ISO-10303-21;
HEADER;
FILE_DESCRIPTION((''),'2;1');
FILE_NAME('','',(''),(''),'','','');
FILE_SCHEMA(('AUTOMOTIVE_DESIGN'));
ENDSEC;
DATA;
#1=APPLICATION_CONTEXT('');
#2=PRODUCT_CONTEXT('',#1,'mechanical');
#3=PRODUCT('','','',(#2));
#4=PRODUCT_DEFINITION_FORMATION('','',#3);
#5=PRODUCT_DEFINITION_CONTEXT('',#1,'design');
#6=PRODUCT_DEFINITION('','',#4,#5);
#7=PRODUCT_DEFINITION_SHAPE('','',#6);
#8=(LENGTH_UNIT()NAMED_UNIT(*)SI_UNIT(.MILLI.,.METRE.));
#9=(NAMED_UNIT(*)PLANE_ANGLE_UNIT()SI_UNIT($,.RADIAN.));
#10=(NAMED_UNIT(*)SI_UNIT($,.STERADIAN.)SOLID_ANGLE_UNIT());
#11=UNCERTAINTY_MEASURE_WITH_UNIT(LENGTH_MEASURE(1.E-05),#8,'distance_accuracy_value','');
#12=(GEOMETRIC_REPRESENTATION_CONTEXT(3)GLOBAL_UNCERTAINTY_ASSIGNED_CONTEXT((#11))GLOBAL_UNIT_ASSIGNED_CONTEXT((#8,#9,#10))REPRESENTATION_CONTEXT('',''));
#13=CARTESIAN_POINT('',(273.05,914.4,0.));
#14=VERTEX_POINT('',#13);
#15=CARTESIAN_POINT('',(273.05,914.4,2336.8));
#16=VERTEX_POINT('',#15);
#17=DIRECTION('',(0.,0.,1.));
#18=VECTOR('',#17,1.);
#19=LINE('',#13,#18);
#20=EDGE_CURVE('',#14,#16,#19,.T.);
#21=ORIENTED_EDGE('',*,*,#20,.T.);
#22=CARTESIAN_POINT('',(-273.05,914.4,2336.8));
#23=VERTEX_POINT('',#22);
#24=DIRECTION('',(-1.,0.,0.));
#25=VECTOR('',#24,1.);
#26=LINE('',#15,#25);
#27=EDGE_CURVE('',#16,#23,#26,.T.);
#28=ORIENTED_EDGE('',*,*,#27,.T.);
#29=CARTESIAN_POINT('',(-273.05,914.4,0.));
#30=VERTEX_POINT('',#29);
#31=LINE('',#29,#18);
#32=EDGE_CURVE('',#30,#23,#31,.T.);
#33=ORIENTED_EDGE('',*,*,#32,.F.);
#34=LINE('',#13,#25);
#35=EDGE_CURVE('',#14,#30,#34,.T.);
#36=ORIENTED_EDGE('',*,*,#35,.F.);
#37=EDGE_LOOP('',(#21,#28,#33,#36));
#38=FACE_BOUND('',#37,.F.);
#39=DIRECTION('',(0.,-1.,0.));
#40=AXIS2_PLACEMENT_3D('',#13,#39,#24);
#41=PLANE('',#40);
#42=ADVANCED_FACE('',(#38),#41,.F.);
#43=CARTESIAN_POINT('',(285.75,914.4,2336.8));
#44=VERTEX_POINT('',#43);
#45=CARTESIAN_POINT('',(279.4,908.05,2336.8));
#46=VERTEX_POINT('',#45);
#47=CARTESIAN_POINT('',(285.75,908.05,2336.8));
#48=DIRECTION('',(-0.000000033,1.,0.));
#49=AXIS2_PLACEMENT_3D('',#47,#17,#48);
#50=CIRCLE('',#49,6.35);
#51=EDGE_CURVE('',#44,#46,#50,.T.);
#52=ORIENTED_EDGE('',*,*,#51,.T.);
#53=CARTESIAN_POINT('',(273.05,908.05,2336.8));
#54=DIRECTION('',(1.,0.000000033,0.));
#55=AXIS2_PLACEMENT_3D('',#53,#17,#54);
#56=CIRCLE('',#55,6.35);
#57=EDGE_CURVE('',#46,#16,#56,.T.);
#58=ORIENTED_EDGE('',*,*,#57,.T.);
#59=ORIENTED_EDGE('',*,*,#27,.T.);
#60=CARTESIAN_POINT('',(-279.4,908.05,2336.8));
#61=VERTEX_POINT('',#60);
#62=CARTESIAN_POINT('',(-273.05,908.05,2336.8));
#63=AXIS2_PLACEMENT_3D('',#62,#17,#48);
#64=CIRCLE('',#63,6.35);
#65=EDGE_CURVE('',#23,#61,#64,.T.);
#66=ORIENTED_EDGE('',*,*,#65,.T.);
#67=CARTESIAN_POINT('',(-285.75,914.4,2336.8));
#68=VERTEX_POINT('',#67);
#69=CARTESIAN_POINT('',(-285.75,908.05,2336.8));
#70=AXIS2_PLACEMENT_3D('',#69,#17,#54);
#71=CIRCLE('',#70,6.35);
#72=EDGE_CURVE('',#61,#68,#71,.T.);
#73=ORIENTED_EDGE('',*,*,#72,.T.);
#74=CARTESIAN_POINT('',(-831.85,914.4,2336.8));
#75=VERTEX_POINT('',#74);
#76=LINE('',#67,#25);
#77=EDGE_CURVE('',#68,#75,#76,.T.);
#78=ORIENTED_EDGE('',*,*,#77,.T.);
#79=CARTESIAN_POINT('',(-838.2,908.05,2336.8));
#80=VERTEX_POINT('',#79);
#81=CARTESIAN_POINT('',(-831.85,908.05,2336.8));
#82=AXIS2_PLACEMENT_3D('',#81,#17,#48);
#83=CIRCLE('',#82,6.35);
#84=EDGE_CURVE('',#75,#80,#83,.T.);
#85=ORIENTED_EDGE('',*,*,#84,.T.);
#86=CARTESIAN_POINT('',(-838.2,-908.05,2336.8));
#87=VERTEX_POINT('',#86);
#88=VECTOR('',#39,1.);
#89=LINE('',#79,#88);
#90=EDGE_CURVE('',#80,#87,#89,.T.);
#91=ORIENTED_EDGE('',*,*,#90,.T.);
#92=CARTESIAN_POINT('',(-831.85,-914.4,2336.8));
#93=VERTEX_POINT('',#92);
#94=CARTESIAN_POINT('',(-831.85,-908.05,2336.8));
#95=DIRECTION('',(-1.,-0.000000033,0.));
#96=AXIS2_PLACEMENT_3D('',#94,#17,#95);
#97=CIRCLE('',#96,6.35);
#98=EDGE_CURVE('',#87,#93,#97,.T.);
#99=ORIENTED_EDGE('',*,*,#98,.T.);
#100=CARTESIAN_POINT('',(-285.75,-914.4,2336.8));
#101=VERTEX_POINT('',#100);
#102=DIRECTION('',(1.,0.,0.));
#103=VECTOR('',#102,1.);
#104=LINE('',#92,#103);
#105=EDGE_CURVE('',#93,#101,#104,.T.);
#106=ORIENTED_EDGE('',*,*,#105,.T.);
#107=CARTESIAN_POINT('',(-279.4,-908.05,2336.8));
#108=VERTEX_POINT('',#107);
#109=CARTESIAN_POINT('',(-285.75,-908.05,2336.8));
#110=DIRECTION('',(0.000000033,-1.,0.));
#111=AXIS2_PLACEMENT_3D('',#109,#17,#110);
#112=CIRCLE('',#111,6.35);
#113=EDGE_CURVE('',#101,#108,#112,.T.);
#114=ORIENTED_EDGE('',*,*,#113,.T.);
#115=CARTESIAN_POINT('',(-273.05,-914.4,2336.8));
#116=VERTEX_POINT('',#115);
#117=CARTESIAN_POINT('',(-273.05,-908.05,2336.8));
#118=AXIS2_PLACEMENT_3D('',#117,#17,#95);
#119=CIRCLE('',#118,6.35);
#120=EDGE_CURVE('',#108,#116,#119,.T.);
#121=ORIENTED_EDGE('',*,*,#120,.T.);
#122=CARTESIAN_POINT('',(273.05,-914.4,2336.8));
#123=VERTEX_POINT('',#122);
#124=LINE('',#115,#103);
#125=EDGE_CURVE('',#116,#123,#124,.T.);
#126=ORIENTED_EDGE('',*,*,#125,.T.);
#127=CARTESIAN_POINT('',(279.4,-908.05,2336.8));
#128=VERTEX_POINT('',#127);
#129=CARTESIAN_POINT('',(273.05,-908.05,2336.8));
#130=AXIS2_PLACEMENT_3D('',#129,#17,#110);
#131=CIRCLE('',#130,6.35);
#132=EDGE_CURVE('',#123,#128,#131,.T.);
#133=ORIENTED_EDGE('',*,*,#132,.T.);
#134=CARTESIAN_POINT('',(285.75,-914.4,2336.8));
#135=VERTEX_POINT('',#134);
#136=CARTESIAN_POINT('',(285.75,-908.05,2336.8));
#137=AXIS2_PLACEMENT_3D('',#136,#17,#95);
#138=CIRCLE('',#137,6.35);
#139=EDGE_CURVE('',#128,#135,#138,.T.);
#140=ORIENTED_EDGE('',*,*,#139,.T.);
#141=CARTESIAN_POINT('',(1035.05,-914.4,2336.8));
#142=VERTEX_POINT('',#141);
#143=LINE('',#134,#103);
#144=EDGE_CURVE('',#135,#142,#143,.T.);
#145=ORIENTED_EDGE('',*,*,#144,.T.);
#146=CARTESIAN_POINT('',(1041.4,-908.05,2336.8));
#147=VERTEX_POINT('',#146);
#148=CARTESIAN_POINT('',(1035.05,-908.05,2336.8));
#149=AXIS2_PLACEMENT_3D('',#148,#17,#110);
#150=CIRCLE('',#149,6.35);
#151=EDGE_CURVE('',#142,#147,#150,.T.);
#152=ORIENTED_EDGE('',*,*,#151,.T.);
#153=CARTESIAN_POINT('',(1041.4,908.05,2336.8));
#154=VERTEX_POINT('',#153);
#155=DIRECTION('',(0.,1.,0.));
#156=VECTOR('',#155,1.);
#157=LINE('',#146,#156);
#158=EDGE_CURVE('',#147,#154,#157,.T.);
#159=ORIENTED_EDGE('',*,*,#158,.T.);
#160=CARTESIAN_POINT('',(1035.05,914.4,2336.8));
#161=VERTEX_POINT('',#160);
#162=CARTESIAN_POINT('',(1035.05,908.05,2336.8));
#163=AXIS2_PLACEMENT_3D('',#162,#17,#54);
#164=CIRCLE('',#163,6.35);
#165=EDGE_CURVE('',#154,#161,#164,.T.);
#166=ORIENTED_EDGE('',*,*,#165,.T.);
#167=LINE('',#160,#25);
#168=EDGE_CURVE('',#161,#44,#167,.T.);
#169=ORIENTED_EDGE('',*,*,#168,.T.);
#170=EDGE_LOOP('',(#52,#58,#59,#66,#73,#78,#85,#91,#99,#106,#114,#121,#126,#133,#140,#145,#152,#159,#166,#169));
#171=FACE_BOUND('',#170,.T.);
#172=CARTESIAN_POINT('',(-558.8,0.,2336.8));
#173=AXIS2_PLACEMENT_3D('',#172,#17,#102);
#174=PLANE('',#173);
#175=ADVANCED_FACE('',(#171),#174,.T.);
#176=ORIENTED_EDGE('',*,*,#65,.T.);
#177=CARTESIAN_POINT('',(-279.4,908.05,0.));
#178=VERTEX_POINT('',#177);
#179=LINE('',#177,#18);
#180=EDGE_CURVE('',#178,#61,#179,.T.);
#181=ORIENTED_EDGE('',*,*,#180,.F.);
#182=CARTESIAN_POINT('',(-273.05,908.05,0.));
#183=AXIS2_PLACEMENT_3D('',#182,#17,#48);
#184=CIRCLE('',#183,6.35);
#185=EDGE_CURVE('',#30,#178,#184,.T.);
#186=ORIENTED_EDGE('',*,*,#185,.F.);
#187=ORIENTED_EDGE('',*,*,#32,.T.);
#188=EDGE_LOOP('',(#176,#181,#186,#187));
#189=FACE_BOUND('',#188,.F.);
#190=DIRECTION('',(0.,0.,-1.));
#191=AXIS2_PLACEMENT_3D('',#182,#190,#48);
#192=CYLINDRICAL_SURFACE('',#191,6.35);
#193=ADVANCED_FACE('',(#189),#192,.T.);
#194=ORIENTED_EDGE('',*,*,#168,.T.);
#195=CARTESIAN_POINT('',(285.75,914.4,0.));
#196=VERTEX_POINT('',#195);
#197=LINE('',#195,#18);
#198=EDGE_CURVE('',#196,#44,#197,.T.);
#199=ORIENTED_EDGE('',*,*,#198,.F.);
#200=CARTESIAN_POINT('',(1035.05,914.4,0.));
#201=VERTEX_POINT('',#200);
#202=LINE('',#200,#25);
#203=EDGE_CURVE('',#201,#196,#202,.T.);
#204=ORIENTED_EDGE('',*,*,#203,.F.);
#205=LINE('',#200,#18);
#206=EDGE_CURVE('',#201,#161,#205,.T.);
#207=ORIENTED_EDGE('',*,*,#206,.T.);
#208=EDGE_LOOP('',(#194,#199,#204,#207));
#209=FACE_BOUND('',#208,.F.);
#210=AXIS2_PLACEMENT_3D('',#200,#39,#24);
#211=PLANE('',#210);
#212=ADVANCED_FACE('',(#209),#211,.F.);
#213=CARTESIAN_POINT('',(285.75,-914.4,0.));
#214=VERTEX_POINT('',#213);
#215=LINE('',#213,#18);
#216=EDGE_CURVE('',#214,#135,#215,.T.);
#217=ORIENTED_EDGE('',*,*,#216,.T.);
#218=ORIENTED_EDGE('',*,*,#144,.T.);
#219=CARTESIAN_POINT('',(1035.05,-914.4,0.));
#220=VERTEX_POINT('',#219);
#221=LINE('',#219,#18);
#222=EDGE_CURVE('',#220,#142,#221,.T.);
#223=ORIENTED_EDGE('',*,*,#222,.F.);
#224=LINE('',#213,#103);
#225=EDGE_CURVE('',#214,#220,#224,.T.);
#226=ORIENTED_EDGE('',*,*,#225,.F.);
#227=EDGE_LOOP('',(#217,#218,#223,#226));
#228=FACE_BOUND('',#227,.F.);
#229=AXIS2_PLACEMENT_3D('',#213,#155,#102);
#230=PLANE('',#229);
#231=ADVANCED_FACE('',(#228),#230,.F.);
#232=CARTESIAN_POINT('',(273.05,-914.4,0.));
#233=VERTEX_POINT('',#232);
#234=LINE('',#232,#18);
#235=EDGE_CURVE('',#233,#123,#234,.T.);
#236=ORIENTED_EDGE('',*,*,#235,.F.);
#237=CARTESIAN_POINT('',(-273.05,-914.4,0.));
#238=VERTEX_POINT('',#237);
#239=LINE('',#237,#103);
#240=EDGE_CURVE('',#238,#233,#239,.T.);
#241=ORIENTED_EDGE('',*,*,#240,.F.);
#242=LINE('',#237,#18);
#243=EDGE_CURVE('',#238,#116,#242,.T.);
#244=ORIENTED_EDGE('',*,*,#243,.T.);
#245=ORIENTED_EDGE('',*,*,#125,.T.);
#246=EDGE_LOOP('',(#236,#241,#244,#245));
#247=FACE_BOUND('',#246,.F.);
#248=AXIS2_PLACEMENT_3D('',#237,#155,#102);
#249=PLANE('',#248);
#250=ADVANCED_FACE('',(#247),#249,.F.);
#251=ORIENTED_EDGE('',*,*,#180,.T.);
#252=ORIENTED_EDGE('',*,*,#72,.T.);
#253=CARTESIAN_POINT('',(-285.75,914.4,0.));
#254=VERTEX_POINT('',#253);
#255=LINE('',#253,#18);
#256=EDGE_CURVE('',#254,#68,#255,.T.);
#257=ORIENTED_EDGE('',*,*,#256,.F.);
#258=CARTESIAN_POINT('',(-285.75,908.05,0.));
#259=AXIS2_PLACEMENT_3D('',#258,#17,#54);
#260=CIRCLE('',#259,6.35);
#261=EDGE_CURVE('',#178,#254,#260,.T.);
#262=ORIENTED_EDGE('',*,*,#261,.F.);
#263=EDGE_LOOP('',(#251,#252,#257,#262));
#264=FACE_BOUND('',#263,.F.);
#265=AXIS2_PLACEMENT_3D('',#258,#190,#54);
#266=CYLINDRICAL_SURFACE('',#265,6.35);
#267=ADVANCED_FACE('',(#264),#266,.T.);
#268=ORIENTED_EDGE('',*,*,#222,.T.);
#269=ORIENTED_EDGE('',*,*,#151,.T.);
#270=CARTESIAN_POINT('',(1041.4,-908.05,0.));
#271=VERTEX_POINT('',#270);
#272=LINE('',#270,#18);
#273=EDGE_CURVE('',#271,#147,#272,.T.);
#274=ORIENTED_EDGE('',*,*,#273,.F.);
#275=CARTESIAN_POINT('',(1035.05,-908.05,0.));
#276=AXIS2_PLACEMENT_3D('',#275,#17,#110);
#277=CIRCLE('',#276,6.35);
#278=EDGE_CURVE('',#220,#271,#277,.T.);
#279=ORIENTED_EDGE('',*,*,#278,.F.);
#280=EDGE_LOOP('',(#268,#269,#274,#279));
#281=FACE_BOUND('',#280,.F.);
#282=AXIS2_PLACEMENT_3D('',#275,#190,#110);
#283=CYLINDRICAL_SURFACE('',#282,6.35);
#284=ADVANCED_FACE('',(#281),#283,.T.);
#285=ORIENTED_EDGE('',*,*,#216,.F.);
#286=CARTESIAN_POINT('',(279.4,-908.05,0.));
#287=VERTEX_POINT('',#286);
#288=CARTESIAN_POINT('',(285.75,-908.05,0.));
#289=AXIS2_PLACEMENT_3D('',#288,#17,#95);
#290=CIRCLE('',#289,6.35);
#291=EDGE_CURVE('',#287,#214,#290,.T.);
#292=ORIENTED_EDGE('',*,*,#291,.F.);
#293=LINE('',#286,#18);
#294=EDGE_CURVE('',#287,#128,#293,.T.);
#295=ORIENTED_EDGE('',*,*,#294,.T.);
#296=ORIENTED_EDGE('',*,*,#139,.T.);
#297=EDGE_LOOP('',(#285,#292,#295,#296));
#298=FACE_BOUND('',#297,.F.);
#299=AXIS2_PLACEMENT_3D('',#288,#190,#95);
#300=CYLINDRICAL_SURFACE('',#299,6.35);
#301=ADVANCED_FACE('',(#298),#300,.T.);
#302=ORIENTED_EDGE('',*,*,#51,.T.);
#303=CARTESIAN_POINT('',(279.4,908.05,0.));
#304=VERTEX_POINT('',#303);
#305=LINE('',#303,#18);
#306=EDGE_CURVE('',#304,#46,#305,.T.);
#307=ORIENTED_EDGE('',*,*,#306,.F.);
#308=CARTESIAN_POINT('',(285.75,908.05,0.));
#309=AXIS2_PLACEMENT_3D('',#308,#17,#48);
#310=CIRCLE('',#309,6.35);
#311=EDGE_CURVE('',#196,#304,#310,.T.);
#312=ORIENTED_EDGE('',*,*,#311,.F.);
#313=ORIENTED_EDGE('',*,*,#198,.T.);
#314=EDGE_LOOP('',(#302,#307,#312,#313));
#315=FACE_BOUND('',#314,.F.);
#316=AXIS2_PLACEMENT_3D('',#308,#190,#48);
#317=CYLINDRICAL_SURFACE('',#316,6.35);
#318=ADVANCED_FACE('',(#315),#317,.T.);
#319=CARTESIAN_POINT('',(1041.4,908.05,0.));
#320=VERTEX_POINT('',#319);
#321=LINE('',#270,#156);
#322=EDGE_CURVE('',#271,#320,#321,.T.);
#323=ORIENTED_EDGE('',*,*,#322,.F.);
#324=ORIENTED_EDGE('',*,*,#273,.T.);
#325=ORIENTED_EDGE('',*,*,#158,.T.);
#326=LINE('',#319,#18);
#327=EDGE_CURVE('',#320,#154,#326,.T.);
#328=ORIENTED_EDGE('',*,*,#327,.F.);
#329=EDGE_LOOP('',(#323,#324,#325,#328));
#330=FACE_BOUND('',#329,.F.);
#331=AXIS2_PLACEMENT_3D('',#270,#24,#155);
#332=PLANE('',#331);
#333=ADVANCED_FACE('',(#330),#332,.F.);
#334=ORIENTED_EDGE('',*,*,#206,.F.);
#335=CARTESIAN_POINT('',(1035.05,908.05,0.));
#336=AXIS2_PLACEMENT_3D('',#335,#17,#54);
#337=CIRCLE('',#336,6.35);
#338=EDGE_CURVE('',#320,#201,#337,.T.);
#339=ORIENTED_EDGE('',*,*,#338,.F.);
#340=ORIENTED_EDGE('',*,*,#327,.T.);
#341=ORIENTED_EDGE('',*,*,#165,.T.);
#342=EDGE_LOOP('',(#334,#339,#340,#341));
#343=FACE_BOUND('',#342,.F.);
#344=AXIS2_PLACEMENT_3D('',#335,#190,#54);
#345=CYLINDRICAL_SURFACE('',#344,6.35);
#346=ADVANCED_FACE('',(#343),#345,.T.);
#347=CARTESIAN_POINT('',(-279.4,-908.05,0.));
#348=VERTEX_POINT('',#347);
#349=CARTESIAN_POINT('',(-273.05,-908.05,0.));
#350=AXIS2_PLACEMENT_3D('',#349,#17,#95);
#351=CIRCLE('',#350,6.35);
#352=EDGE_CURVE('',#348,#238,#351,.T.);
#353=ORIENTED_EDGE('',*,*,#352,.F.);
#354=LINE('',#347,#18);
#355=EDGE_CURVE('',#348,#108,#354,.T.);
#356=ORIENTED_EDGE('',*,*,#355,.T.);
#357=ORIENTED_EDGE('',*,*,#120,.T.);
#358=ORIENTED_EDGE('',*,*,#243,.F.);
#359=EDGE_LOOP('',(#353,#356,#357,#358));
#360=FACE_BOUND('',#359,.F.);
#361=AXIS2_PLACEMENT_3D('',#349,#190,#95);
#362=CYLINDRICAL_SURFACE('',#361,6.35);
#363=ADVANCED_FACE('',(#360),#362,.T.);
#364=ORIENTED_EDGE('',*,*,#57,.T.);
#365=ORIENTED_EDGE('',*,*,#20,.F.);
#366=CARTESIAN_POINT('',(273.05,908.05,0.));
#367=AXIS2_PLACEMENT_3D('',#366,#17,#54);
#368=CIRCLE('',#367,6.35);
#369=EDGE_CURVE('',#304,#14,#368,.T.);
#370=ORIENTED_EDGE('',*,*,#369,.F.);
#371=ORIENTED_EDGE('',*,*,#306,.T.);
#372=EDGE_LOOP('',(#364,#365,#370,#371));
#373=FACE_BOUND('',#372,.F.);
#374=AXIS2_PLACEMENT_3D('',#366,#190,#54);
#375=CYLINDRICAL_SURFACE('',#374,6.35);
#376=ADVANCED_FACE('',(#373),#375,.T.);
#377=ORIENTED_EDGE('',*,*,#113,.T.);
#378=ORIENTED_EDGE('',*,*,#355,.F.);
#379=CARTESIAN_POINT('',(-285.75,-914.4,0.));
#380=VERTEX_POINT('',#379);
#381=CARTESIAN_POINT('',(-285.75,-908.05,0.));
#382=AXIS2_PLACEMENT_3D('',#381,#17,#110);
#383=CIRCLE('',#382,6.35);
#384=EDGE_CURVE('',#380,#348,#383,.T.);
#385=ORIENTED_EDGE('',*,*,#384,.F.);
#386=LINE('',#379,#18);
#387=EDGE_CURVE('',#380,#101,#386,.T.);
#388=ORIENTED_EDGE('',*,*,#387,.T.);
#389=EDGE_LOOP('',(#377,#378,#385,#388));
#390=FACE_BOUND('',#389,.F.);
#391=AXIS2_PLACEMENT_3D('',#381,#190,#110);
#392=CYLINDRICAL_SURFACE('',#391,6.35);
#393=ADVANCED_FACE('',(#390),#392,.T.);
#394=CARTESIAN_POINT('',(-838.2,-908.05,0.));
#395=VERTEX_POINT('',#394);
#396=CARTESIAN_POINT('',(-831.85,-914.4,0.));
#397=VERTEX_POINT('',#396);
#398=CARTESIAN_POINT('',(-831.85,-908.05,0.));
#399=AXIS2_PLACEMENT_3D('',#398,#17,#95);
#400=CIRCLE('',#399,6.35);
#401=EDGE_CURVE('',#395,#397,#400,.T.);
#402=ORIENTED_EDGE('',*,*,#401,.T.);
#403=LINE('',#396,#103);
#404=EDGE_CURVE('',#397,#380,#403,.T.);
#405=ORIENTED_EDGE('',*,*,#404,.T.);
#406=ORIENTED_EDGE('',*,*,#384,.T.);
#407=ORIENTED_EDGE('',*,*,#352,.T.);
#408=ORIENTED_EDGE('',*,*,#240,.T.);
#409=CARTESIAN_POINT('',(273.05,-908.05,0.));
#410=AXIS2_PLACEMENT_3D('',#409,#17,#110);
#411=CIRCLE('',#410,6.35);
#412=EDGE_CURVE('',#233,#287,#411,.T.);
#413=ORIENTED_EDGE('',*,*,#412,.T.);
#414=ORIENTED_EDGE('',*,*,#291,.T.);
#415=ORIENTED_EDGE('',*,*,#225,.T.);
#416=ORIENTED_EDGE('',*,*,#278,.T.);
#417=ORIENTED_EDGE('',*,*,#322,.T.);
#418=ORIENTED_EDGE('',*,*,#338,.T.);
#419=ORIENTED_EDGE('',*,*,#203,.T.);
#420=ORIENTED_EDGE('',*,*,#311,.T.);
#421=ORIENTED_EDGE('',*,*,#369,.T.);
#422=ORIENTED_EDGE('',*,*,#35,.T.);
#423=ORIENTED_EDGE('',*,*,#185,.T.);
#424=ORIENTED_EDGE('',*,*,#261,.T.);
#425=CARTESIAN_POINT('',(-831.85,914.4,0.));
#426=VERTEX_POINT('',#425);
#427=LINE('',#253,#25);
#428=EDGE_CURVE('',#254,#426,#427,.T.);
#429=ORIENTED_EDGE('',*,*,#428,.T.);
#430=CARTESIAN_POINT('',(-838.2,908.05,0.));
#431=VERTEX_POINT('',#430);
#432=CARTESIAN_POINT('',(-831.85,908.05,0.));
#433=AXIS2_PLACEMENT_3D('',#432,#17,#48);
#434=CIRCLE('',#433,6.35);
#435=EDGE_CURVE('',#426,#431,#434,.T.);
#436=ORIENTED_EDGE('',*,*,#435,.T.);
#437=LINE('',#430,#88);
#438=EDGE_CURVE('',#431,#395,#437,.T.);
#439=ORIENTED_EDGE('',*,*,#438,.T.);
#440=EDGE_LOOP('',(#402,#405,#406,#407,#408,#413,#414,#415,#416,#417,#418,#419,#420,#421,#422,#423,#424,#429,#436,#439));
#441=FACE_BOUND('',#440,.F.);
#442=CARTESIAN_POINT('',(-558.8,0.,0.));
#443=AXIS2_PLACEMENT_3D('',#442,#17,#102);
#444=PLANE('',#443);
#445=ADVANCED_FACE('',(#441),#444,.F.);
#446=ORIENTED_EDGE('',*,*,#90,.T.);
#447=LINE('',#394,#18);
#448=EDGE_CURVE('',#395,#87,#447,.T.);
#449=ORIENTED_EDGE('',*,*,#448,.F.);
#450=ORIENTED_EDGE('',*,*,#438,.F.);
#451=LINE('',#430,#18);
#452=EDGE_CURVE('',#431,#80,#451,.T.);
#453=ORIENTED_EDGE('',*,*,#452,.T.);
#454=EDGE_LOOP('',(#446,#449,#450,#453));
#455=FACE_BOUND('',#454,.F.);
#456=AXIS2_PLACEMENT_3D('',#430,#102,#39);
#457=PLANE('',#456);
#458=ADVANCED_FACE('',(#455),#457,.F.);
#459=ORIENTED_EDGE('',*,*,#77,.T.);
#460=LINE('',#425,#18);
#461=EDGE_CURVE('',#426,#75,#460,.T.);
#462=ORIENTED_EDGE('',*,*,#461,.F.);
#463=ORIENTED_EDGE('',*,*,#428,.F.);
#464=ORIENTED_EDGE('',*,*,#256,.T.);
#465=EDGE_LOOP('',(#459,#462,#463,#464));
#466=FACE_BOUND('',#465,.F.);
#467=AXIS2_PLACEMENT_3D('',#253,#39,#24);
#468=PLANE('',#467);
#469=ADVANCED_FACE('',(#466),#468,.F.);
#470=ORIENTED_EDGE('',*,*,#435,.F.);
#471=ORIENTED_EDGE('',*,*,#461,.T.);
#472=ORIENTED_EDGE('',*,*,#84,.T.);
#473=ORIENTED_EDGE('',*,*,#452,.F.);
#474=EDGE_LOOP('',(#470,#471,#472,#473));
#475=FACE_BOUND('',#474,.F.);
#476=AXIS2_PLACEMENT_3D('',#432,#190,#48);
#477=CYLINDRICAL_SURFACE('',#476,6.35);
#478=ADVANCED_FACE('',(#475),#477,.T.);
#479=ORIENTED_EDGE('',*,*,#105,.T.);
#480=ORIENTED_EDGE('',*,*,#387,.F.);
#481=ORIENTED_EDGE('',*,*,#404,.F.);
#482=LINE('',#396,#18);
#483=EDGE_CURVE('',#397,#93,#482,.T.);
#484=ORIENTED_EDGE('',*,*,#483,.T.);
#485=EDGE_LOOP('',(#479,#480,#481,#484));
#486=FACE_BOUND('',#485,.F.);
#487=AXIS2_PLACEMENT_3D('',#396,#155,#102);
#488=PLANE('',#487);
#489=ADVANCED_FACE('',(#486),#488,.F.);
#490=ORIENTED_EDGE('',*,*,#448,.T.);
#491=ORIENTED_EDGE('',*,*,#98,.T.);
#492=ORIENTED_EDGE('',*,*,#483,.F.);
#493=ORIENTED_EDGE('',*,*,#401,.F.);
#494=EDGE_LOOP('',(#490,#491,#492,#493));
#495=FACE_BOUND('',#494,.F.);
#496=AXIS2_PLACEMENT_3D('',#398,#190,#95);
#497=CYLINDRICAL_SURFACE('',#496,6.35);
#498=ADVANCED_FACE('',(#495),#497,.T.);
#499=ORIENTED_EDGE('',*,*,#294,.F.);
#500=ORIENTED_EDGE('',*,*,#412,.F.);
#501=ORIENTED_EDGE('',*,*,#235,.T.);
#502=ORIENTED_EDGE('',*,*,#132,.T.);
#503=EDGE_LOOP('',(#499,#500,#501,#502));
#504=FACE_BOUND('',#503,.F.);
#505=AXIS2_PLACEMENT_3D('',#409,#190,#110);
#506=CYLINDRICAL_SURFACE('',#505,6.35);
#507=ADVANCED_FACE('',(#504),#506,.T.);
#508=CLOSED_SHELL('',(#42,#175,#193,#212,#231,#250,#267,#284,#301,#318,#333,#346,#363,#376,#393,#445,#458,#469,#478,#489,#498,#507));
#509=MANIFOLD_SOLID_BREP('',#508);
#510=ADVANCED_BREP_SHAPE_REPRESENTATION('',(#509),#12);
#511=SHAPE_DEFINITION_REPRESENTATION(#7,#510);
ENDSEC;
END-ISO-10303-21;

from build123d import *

# Parameters (mm, degrees)
F1_DEPTH = 2336.8


with BuildPart() as f1:
    # F0 (on Top) → F1 (new body)
    with BuildSketch(Plane.XY):
        with BuildLine():
            ThreePointArc((-279.4, 908.05), (-281.259872, 912.540128), (-285.75, 914.4))
            Line((-285.75, 914.4), (-831.85, 914.4))
            ThreePointArc((-831.85, 914.4), (-836.340128, 912.540128), (-838.2, 908.05))
            Line((-838.2, 908.05), (-838.2, -908.05))
            ThreePointArc((-838.2, -908.05), (-836.340128, -912.540128), (-831.85, -914.4))
            Line((-831.85, -914.4), (-285.75, -914.4))
            ThreePointArc((-285.75, -914.4), (-281.259872, -912.540128), (-279.4, -908.05))
            Line((-279.4, -908.05), (-279.4, 908.05))
        make_face()
        with BuildLine():
            ThreePointArc((-273.05, 914.4), (-277.540128, 912.540128), (-279.4, 908.05))
            Line((-279.4, 908.05), (-279.4, -908.05))
            ThreePointArc((-279.4, -908.05), (-277.540128, -912.540128), (-273.05, -914.4))
            Line((-273.05, -914.4), (273.05, -914.4))
            ThreePointArc((273.05, -914.4), (277.540128, -912.540128), (279.4, -908.05))
            Line((279.4, -908.05), (279.4, 908.05))
            ThreePointArc((279.4, 908.05), (277.540128, 912.540128), (273.05, 914.4))
            Line((273.05, 914.4), (-273.05, 914.4))
        make_face()
        with BuildLine():
            ThreePointArc((285.75, 914.4), (281.259872, 912.540128), (279.4, 908.05))
            Line((279.4, 908.05), (279.4, -908.05))
            ThreePointArc((279.4, -908.05), (281.259872, -912.540128), (285.75, -914.4))
            Line((285.75, -914.4), (1035.05, -914.4))
            ThreePointArc((1035.05, -914.4), (1039.540128, -912.540128), (1041.4, -908.05))
            Line((1041.4, -908.05), (1041.4, 908.05))
            ThreePointArc((1041.4, 908.05), (1039.540128, 912.540128), (1035.05, 914.4))
            Line((1035.05, 914.4), (285.75, 914.4))
        make_face()
    extrude(amount=F1_DEPTH)


solid = f1.part
